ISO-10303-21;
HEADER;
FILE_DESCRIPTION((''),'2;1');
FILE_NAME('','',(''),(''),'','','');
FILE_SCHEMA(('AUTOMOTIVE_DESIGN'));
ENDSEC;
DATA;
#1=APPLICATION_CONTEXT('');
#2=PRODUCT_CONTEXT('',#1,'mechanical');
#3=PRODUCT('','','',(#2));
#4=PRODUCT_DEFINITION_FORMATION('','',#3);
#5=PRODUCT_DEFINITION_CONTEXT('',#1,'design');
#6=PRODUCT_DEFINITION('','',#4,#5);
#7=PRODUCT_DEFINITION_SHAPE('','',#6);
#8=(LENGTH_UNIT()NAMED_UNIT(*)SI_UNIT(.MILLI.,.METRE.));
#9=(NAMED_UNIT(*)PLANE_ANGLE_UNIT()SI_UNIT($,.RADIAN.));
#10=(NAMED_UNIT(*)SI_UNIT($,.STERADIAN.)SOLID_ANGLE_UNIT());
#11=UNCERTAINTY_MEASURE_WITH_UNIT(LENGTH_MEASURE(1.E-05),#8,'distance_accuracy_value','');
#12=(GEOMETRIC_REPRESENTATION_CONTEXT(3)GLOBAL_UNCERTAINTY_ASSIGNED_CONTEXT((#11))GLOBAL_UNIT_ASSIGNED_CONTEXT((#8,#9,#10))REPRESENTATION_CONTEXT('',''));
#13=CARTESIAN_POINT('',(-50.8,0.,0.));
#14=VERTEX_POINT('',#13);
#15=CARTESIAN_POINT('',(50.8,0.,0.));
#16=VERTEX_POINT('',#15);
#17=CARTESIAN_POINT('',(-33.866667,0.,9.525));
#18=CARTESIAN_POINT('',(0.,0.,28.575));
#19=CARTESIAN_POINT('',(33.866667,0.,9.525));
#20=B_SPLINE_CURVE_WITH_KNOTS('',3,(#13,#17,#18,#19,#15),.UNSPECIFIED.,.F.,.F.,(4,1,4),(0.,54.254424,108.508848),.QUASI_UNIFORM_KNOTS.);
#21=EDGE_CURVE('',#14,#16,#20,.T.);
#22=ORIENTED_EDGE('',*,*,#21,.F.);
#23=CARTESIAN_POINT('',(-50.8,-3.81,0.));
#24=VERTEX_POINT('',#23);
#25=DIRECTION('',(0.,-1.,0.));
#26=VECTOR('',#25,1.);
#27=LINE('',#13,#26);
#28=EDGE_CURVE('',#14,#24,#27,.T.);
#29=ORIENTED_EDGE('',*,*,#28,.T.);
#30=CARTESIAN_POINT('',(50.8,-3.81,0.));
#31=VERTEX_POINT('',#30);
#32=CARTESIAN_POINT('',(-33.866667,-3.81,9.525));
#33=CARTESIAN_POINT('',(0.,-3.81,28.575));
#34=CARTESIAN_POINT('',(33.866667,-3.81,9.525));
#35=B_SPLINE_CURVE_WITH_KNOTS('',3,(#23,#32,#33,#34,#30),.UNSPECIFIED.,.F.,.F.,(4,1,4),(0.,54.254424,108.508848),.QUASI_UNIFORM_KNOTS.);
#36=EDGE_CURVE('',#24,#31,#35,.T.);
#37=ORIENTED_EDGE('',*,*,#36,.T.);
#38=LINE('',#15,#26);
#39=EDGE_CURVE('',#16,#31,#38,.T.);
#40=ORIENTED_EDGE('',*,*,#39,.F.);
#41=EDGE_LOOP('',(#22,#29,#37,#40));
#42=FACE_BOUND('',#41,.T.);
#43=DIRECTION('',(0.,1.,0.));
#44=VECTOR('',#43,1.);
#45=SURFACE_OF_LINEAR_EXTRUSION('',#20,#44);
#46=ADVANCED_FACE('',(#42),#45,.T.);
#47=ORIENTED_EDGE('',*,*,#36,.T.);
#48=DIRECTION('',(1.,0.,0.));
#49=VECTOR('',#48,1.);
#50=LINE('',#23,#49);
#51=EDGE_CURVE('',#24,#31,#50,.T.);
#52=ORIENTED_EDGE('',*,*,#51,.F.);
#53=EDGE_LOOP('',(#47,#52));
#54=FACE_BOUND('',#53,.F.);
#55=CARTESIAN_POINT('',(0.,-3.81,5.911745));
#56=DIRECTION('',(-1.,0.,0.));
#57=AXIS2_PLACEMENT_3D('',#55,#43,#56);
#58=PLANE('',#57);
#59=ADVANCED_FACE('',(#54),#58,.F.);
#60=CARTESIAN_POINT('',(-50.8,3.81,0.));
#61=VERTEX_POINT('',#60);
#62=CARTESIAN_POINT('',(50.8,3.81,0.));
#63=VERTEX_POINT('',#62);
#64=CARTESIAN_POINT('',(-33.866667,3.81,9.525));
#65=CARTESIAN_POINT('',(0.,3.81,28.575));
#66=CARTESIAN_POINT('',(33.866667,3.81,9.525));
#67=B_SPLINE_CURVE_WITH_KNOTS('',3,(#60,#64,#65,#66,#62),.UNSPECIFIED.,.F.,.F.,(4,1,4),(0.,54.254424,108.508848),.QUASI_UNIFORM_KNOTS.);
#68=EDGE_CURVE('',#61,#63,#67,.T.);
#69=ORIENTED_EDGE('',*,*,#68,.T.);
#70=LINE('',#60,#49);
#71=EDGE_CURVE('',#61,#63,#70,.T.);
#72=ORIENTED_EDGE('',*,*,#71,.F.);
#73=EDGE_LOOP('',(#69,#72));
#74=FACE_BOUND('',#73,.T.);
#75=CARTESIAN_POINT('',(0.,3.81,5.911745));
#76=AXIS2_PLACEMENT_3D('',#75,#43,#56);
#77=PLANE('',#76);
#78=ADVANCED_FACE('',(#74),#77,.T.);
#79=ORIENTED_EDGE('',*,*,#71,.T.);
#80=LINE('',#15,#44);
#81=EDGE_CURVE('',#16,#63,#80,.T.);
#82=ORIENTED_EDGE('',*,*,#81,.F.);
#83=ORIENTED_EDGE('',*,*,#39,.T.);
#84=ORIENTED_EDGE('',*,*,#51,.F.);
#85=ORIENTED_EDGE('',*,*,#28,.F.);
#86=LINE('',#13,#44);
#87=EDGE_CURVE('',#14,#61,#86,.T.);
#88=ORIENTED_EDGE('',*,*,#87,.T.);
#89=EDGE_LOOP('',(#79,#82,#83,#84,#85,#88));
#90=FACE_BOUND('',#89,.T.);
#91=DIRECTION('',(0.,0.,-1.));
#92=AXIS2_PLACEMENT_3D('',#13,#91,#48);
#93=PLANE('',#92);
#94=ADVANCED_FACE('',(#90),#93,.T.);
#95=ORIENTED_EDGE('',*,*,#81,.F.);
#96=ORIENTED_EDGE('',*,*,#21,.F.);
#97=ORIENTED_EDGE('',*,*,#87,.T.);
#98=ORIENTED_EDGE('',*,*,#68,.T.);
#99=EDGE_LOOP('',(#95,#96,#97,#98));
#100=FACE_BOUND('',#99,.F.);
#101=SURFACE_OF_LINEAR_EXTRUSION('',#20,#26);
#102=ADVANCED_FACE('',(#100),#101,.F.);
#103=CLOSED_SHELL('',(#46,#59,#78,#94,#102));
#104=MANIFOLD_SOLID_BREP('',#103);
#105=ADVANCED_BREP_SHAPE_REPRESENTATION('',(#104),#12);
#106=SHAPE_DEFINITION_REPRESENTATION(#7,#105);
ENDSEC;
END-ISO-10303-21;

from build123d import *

# Parameters (mm, degrees)
F1_DEPTH = 3.81


with BuildPart() as f1:
    # F0 (on Front) → F1 (new body, symmetric)
    with BuildSketch(Plane.XZ):
        with BuildLine():
            add(Edge.make_bspline(
                [(-50.8, 0), (-33.866667, 9.525), (0, 28.575), (33.866667, 9.525), (50.8, 0)],
                knots=[0, 0, 0, 0, 54.254424, 108.508848, 108.508848, 108.508848, 108.508848], degree=3))
            Line((-50.8, 0), (50.8, 0))
        make_face()
    extrude(amount=F1_DEPTH, both=True)


solid = f1.part
